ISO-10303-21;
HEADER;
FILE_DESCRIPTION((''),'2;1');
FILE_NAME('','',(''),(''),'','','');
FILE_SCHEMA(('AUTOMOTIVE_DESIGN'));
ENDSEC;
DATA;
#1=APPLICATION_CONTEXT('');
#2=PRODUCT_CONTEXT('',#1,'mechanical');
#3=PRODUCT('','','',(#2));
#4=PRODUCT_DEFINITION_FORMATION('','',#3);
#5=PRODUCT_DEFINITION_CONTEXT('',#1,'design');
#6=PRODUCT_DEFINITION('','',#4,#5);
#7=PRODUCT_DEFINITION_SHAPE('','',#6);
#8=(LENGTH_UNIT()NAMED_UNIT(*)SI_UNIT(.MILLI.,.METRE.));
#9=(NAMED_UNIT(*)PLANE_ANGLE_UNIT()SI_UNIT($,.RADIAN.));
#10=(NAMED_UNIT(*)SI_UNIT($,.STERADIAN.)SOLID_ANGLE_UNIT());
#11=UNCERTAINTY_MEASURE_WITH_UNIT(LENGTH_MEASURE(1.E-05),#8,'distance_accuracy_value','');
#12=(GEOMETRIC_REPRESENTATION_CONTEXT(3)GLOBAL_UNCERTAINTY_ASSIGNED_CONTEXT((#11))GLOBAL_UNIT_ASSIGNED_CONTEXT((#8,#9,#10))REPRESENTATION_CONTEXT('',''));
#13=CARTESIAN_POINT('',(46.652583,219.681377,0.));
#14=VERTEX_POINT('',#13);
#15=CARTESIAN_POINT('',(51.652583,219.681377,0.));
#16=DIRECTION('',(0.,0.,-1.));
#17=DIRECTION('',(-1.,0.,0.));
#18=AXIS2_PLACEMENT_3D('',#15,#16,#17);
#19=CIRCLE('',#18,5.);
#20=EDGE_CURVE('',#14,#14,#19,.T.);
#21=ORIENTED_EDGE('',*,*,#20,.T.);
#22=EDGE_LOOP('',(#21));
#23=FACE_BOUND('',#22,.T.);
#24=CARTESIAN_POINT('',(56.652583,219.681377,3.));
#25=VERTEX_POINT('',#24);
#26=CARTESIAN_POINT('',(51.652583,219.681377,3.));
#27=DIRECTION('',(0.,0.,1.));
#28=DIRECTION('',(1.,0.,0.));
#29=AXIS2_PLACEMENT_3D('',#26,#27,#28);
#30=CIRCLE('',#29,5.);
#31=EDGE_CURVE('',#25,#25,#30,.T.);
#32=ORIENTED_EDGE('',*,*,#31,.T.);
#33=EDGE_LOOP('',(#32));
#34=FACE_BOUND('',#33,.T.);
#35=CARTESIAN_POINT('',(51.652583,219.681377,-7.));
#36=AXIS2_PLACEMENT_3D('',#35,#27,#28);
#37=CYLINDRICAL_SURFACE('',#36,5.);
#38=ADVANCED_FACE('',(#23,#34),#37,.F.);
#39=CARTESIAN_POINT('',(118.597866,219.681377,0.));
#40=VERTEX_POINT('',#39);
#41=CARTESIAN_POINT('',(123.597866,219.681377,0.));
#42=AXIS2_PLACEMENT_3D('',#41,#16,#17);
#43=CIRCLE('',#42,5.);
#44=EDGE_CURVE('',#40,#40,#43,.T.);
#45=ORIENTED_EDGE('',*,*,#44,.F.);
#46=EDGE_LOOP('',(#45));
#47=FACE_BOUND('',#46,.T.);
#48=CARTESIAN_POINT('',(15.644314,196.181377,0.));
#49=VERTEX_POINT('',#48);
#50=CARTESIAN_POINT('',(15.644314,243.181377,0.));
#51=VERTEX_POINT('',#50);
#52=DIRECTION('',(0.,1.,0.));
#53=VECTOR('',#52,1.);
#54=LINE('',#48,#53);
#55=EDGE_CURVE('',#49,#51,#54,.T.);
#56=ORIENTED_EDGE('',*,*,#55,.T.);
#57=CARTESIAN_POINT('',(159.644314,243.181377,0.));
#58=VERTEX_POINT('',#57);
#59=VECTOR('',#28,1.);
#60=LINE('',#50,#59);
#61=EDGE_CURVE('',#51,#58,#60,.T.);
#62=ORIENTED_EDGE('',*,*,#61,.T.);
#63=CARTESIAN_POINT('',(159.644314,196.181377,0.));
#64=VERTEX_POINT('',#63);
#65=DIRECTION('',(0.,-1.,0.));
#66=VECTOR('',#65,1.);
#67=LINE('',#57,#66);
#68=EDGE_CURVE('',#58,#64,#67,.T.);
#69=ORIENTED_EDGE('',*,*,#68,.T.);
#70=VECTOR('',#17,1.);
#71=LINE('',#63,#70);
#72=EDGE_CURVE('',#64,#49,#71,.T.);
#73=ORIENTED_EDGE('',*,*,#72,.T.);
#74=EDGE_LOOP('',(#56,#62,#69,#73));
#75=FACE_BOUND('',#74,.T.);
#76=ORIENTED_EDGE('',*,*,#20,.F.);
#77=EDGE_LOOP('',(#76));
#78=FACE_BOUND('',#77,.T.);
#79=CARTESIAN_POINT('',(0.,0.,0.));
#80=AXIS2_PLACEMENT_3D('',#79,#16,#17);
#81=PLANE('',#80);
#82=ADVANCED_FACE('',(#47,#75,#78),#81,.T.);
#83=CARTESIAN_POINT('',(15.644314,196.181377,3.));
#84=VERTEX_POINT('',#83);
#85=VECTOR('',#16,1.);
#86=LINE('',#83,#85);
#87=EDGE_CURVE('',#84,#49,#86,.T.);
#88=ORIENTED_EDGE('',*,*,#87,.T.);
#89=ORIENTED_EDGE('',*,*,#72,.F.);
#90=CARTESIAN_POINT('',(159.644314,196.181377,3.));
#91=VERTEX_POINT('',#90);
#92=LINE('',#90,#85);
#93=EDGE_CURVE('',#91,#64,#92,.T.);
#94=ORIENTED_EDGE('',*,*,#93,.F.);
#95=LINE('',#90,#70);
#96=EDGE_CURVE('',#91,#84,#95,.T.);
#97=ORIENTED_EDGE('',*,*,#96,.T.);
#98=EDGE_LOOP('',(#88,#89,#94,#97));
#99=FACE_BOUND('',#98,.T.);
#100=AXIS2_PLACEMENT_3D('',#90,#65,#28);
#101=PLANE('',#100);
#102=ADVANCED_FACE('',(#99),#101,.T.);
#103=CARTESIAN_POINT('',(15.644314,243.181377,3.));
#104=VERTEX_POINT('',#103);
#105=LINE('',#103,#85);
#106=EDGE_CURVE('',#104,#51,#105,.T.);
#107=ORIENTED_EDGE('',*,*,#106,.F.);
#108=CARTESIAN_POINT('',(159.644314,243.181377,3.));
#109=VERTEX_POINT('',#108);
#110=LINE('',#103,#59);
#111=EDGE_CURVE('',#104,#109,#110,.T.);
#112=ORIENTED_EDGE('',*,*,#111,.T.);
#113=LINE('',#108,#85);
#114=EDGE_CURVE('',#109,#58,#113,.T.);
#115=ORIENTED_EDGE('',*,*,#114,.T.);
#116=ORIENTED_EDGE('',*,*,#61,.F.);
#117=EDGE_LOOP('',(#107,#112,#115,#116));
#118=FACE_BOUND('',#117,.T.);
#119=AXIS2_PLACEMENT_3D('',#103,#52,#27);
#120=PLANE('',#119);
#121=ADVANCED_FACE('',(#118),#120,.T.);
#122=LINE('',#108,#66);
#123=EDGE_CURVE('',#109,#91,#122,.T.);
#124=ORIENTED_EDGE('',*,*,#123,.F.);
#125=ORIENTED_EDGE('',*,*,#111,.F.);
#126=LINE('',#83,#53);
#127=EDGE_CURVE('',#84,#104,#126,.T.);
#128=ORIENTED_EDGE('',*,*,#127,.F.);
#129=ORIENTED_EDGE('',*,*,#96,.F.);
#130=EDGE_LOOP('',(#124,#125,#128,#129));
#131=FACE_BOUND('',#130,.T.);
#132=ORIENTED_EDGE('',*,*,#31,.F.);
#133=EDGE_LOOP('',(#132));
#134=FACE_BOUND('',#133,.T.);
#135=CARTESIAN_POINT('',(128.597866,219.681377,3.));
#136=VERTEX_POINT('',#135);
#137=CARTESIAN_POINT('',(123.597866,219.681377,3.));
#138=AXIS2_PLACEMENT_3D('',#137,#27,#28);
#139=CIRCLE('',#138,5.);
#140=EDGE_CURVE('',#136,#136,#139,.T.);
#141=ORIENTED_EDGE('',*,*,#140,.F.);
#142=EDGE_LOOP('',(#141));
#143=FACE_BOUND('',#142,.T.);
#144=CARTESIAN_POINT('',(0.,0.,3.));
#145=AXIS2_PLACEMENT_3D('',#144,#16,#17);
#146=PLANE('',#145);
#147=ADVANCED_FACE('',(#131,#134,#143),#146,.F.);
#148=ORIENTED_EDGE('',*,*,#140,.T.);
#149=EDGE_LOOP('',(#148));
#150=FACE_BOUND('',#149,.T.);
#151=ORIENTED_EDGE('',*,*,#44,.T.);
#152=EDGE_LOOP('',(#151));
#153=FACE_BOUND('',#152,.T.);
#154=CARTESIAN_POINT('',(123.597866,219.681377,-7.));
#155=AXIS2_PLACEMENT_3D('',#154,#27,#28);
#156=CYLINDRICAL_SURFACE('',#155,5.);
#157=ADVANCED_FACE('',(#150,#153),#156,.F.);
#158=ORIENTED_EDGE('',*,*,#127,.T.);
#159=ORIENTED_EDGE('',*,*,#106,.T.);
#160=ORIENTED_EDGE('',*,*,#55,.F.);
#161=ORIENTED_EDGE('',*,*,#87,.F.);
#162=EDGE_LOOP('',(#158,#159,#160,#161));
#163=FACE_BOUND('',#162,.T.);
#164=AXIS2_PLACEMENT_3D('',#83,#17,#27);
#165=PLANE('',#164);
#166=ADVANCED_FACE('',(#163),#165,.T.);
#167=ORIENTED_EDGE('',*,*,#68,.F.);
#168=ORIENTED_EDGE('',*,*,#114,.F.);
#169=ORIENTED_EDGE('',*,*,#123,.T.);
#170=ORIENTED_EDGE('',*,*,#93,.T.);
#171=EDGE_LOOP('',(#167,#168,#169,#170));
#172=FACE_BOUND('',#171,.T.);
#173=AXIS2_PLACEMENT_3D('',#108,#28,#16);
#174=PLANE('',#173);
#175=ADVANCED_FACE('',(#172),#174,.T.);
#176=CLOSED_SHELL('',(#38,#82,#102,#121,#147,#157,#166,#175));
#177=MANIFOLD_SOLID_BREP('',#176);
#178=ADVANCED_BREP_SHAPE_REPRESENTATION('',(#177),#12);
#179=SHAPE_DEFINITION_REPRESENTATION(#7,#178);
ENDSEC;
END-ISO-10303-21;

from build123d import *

# Parameters (mm, degrees)
SKETCH1_W           = 144
SKETCH1_H           = 47
BOSS_EXTRUDE1_DEPTH = 3
CUT_EXTRUDE2_DEPTH  = 10


with BuildPart() as part:
    # Sketch1 → Boss-Extrude1 (new body)
    with BuildSketch(Plane.XY):
        with Locations((87.644313661, 219.681377026)):
            Rectangle(SKETCH1_W, SKETCH1_H)
    extrude(amount=BOSS_EXTRUDE1_DEPTH)

    # Sketch5 → Cut-Extrude2 (cut)
    with BuildSketch(Plane.XY.offset(3)):
        with BuildLine():
            ThreePointArc((56.652582595, 219.681377026), (51.652582595, 224.681377026), (46.652582595, 219.681377026))
            Line((46.652582595, 219.681377026), (56.652582595, 219.681377026))
        make_face()
        with BuildLine():
            Line((56.652582595, 219.681377026), (46.652582595, 219.681377026))
            ThreePointArc((46.652582595, 219.681377026), (51.652582595, 214.681377026), (56.652582595, 219.681377026))
        make_face()
        with BuildLine():
            ThreePointArc((128.597865768, 219.681377026), (123.597865768, 224.681377026), (118.597865768, 219.681377026))
            Line((118.597865768, 219.681377026), (128.597865768, 219.681377026))
        make_face()
        with BuildLine():
            Line((128.597865768, 219.681377026), (118.597865768, 219.681377026))
            ThreePointArc((118.597865768, 219.681377026), (123.597865768, 214.681377026), (128.597865768, 219.681377026))
        make_face()
    extrude(amount=-CUT_EXTRUDE2_DEPTH, mode=Mode.SUBTRACT)


solid = part.part
